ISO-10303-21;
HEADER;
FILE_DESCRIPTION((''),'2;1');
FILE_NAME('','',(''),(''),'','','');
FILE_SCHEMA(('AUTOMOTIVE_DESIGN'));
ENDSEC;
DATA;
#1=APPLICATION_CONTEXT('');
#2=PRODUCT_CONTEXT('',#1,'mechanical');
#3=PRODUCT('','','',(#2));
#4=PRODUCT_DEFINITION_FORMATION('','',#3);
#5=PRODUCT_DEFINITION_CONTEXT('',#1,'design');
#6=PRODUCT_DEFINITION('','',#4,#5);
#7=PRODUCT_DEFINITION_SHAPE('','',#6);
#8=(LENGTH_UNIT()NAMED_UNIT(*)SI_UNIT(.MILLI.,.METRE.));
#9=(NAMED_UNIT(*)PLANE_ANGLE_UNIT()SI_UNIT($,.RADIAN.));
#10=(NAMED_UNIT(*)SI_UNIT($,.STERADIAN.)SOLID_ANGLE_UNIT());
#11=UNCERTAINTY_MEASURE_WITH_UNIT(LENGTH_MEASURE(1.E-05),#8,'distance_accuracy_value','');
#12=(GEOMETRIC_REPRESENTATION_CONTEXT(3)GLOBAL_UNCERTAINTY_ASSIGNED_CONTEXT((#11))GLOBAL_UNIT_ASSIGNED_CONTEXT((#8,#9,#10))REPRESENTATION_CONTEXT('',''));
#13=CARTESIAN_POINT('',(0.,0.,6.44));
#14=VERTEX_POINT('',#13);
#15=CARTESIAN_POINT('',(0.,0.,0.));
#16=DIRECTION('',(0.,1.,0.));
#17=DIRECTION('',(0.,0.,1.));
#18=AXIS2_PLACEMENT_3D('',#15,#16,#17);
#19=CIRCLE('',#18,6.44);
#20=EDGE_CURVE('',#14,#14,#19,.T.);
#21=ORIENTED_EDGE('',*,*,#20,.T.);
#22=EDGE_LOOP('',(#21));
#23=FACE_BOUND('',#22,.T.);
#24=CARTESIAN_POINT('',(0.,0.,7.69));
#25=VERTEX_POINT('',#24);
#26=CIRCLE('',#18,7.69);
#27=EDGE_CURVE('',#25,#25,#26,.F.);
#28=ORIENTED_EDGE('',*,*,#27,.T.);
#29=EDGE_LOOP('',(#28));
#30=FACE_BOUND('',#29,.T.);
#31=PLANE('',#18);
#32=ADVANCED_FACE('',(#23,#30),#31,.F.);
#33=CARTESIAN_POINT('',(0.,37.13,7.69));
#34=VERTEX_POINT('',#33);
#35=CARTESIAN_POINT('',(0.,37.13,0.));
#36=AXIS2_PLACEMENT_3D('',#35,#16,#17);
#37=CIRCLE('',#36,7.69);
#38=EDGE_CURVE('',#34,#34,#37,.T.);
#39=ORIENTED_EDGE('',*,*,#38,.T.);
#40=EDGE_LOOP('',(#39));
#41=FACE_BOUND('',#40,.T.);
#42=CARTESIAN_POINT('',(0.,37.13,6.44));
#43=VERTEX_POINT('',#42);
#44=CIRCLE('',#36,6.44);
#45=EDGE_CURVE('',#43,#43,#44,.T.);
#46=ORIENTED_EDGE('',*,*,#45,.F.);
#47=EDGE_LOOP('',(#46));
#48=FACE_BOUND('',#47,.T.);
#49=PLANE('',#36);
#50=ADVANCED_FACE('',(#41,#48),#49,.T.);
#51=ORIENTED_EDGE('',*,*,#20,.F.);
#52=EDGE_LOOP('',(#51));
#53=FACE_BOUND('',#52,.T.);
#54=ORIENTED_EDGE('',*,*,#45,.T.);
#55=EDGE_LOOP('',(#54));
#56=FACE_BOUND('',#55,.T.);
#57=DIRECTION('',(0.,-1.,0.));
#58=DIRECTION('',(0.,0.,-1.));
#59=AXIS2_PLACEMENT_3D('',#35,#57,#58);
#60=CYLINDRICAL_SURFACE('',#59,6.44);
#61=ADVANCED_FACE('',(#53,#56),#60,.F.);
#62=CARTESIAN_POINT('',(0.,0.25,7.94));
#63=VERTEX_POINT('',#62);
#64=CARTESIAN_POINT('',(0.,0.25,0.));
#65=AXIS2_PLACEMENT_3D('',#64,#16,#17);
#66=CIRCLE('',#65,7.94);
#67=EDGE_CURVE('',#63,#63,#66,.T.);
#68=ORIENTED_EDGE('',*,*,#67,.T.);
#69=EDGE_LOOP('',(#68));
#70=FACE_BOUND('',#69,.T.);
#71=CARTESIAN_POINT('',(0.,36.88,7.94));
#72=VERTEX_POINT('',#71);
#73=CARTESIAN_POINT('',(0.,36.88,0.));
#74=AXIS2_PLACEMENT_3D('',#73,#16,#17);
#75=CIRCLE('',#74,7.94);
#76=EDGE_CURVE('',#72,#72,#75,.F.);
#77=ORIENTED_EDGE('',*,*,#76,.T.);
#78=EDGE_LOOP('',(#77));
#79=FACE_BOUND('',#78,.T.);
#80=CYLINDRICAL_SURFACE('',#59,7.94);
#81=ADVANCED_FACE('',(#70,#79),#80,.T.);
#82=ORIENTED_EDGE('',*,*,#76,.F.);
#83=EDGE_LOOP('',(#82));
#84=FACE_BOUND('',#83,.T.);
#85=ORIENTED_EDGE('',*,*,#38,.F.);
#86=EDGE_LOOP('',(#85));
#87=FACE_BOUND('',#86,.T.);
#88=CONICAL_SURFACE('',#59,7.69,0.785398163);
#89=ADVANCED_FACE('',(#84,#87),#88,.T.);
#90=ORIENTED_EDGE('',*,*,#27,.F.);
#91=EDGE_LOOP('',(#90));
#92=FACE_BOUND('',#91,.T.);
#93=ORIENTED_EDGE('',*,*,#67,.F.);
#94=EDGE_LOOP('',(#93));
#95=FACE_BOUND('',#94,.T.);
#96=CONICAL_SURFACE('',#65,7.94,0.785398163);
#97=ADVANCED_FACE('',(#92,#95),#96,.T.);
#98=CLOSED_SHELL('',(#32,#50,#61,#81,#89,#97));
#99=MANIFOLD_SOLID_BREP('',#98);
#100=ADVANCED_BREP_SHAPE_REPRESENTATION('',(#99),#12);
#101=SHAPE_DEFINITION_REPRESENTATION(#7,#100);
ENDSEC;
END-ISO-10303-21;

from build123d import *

# Parameters (mm, degrees)
SKETCH1_R           = 7.94
SKETCH1_R_2         = 6.44
BOSS_EXTRUDE1_DEPTH = 37.13
CHAMFER1_SIZE       = 0.25


with BuildPart() as part:
    # Sketch1 → Boss-Extrude1 (new body)
    with BuildSketch(Plane(origin=(0, 0, 0), x_dir=(1, 0, 0), z_dir=(0, 1, 0))):
        Circle(SKETCH1_R)
        Circle(SKETCH1_R_2, mode=Mode.SUBTRACT)
    extrude(amount=BOSS_EXTRUDE1_DEPTH)

    # Chamfer1
    chamfer1_edges = [part.edges().sort_by_distance(p)[0] for p in [
        (-7.94, 0, 0),
        (-7.94, 37.13, 0),
    ]]
    chamfer(chamfer1_edges, length=CHAMFER1_SIZE)


solid = part.part
